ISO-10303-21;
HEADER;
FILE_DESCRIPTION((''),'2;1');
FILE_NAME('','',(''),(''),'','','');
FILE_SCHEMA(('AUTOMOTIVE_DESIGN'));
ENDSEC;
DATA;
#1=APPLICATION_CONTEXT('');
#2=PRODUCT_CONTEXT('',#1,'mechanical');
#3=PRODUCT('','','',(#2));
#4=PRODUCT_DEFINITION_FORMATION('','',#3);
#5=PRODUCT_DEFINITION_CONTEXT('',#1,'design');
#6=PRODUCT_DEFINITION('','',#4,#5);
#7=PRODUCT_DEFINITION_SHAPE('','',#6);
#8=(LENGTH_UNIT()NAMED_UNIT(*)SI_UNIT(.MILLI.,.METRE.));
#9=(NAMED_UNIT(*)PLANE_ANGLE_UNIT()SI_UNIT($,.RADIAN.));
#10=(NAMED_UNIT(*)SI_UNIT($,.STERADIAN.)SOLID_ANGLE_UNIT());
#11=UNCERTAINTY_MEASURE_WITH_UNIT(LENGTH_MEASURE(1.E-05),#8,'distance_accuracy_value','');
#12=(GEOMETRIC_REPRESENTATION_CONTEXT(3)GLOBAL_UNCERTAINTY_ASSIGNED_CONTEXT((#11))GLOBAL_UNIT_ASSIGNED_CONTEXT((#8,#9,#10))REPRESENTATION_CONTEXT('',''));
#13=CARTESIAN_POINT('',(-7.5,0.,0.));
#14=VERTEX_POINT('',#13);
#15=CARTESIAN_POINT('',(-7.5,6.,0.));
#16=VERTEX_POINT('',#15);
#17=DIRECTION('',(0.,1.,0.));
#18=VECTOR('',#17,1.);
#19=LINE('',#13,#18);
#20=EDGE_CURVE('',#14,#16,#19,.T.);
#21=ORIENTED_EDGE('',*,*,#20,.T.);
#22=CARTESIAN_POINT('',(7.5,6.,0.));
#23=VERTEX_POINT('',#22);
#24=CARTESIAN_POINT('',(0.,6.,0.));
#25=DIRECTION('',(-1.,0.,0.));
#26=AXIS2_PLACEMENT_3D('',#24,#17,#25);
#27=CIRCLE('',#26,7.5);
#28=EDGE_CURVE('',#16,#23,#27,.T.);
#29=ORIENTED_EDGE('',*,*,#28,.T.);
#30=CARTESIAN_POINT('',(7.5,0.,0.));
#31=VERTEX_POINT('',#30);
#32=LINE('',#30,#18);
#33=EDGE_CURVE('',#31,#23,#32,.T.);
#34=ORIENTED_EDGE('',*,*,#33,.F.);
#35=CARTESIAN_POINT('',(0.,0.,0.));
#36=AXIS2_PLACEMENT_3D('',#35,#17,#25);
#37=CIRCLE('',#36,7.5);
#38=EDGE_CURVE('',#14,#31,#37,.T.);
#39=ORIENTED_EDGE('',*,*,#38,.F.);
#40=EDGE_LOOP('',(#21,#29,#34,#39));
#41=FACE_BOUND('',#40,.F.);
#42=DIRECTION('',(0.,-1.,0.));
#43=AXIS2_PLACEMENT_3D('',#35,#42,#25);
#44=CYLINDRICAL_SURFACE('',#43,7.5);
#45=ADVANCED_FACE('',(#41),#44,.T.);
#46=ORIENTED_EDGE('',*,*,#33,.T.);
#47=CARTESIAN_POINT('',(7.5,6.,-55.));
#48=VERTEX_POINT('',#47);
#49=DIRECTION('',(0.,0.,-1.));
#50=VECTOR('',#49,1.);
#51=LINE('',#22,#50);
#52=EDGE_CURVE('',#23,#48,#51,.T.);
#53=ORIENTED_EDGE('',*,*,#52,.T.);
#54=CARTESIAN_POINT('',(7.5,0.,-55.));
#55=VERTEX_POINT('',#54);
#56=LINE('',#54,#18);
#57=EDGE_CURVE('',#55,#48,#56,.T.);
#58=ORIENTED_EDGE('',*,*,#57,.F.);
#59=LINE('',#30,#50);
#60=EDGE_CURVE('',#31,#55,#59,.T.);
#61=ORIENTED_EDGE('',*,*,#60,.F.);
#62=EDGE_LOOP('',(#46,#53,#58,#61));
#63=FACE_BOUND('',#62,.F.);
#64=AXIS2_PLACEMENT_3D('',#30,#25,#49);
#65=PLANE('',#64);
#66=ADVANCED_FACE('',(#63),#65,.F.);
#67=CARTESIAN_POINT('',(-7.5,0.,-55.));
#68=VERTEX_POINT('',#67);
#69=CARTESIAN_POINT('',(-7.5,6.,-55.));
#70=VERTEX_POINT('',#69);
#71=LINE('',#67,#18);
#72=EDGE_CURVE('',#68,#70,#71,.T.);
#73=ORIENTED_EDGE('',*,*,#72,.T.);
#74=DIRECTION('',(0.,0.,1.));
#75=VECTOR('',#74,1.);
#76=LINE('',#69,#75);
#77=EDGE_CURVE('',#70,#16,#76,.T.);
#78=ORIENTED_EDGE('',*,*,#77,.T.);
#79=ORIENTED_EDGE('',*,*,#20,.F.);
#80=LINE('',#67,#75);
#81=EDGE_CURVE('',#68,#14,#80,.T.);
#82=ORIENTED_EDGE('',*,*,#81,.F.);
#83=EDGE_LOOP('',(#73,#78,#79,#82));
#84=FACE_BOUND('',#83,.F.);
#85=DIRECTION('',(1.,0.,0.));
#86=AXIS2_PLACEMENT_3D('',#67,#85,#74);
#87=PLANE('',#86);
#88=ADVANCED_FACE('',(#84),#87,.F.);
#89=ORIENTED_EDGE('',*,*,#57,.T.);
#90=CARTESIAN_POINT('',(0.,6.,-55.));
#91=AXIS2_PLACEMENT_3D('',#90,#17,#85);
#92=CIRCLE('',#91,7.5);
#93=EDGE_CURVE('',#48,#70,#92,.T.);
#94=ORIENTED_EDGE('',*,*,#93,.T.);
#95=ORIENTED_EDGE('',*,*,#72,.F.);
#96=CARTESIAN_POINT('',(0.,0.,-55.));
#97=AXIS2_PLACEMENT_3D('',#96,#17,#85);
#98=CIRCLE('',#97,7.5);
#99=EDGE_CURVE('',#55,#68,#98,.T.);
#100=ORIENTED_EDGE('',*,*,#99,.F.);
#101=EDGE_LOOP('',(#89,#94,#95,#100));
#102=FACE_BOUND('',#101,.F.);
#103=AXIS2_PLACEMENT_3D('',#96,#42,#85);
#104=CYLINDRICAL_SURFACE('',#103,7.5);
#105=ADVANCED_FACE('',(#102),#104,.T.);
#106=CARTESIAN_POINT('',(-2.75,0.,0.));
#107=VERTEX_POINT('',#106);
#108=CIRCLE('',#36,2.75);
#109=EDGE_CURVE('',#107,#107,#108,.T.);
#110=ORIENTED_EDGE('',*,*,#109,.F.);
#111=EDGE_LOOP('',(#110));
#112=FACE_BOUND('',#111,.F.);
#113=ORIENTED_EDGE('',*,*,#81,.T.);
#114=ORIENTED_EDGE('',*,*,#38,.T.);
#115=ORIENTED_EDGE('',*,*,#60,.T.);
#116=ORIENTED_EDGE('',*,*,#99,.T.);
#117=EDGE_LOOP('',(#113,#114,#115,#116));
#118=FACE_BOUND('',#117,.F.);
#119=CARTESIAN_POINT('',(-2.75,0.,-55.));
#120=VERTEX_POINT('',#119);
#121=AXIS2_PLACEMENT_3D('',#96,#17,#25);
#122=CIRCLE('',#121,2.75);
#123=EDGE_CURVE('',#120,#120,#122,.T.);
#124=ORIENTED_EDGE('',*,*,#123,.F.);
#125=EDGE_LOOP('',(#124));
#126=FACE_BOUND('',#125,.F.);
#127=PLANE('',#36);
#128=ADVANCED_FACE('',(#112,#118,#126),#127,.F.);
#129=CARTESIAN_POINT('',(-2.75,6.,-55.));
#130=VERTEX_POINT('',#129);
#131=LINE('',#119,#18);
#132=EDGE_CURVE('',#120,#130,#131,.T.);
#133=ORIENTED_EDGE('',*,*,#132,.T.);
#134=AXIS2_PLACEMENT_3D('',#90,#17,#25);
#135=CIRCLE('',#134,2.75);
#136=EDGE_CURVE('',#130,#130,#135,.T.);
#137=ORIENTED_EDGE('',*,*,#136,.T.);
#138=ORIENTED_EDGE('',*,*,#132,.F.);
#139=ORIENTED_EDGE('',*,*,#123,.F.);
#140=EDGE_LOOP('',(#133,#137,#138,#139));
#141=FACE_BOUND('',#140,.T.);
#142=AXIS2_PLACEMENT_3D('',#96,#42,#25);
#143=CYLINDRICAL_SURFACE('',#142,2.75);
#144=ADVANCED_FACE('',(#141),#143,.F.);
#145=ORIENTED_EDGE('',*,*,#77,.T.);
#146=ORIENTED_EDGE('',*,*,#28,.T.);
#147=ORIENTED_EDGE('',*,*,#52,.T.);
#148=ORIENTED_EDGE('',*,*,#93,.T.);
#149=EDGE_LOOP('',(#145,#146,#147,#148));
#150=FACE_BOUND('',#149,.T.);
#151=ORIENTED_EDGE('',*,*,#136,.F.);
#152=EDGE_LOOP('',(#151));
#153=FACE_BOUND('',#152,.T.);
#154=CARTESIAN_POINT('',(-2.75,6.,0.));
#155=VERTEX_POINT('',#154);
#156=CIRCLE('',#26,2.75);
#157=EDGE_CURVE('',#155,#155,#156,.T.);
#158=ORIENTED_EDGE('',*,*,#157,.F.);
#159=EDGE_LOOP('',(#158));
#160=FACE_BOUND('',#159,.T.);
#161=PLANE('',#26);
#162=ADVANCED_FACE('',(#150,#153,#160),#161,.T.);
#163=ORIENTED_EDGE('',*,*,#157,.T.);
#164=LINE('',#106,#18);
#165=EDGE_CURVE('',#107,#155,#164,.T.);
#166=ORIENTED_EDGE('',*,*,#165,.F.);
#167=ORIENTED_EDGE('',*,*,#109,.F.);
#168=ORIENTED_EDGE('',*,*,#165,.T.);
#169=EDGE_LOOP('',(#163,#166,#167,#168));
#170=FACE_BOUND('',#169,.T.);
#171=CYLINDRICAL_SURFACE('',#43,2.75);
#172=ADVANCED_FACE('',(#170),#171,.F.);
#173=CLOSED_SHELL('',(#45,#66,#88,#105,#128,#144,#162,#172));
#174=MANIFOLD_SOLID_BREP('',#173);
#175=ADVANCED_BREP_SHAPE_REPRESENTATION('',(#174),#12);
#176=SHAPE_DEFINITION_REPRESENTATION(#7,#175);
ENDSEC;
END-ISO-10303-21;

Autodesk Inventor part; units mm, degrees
ref_plane "YZ Plane" through (0, 0, 0) normal (1, 0, 0) x (0, 1, 0)
ref_plane "XZ Plane" through (0, 0, 0) normal (0, 1, 0) x (-1, 0, 0)
sketch "Sketch1" plane through (0, 0, 0) normal (0, 1, 0) x (-1, 0, 0)
  circle A0 centre (0, 0) radius 2.75
  line L0 (0, 0) -> (0, -55) construction
  circle A1 centre (0, -55) radius 2.75
  line L1 (0, 0) -> (0, -55) construction
  line L2 (-7.5, 0) -> (-7.5, -55)
  line L3 (7.5, -55) -> (7.5, 0)
  arc A2 (7.5, 0) -> (-7.5, 0) centre (0, 0) ccw
  arc A3 (-7.5, -55) -> (7.5, -55) centre (0, -55) ccw
  point P0 (0, -27.5)
  dimension "d0" = 5.5
  dimension "d1" = 55
  dimension "d2" = 5.5
  dimension "d3" = 15
extrude "Extrusion1" add sketch "Sketch1" along normal blind 6
ref_plane "Work Plane1" through (0, 0, -27.5) normal (0, 0, 1) x (1, 0, 0)
properties part number "BaseTensionBracket" material "Aluminum 6061"
